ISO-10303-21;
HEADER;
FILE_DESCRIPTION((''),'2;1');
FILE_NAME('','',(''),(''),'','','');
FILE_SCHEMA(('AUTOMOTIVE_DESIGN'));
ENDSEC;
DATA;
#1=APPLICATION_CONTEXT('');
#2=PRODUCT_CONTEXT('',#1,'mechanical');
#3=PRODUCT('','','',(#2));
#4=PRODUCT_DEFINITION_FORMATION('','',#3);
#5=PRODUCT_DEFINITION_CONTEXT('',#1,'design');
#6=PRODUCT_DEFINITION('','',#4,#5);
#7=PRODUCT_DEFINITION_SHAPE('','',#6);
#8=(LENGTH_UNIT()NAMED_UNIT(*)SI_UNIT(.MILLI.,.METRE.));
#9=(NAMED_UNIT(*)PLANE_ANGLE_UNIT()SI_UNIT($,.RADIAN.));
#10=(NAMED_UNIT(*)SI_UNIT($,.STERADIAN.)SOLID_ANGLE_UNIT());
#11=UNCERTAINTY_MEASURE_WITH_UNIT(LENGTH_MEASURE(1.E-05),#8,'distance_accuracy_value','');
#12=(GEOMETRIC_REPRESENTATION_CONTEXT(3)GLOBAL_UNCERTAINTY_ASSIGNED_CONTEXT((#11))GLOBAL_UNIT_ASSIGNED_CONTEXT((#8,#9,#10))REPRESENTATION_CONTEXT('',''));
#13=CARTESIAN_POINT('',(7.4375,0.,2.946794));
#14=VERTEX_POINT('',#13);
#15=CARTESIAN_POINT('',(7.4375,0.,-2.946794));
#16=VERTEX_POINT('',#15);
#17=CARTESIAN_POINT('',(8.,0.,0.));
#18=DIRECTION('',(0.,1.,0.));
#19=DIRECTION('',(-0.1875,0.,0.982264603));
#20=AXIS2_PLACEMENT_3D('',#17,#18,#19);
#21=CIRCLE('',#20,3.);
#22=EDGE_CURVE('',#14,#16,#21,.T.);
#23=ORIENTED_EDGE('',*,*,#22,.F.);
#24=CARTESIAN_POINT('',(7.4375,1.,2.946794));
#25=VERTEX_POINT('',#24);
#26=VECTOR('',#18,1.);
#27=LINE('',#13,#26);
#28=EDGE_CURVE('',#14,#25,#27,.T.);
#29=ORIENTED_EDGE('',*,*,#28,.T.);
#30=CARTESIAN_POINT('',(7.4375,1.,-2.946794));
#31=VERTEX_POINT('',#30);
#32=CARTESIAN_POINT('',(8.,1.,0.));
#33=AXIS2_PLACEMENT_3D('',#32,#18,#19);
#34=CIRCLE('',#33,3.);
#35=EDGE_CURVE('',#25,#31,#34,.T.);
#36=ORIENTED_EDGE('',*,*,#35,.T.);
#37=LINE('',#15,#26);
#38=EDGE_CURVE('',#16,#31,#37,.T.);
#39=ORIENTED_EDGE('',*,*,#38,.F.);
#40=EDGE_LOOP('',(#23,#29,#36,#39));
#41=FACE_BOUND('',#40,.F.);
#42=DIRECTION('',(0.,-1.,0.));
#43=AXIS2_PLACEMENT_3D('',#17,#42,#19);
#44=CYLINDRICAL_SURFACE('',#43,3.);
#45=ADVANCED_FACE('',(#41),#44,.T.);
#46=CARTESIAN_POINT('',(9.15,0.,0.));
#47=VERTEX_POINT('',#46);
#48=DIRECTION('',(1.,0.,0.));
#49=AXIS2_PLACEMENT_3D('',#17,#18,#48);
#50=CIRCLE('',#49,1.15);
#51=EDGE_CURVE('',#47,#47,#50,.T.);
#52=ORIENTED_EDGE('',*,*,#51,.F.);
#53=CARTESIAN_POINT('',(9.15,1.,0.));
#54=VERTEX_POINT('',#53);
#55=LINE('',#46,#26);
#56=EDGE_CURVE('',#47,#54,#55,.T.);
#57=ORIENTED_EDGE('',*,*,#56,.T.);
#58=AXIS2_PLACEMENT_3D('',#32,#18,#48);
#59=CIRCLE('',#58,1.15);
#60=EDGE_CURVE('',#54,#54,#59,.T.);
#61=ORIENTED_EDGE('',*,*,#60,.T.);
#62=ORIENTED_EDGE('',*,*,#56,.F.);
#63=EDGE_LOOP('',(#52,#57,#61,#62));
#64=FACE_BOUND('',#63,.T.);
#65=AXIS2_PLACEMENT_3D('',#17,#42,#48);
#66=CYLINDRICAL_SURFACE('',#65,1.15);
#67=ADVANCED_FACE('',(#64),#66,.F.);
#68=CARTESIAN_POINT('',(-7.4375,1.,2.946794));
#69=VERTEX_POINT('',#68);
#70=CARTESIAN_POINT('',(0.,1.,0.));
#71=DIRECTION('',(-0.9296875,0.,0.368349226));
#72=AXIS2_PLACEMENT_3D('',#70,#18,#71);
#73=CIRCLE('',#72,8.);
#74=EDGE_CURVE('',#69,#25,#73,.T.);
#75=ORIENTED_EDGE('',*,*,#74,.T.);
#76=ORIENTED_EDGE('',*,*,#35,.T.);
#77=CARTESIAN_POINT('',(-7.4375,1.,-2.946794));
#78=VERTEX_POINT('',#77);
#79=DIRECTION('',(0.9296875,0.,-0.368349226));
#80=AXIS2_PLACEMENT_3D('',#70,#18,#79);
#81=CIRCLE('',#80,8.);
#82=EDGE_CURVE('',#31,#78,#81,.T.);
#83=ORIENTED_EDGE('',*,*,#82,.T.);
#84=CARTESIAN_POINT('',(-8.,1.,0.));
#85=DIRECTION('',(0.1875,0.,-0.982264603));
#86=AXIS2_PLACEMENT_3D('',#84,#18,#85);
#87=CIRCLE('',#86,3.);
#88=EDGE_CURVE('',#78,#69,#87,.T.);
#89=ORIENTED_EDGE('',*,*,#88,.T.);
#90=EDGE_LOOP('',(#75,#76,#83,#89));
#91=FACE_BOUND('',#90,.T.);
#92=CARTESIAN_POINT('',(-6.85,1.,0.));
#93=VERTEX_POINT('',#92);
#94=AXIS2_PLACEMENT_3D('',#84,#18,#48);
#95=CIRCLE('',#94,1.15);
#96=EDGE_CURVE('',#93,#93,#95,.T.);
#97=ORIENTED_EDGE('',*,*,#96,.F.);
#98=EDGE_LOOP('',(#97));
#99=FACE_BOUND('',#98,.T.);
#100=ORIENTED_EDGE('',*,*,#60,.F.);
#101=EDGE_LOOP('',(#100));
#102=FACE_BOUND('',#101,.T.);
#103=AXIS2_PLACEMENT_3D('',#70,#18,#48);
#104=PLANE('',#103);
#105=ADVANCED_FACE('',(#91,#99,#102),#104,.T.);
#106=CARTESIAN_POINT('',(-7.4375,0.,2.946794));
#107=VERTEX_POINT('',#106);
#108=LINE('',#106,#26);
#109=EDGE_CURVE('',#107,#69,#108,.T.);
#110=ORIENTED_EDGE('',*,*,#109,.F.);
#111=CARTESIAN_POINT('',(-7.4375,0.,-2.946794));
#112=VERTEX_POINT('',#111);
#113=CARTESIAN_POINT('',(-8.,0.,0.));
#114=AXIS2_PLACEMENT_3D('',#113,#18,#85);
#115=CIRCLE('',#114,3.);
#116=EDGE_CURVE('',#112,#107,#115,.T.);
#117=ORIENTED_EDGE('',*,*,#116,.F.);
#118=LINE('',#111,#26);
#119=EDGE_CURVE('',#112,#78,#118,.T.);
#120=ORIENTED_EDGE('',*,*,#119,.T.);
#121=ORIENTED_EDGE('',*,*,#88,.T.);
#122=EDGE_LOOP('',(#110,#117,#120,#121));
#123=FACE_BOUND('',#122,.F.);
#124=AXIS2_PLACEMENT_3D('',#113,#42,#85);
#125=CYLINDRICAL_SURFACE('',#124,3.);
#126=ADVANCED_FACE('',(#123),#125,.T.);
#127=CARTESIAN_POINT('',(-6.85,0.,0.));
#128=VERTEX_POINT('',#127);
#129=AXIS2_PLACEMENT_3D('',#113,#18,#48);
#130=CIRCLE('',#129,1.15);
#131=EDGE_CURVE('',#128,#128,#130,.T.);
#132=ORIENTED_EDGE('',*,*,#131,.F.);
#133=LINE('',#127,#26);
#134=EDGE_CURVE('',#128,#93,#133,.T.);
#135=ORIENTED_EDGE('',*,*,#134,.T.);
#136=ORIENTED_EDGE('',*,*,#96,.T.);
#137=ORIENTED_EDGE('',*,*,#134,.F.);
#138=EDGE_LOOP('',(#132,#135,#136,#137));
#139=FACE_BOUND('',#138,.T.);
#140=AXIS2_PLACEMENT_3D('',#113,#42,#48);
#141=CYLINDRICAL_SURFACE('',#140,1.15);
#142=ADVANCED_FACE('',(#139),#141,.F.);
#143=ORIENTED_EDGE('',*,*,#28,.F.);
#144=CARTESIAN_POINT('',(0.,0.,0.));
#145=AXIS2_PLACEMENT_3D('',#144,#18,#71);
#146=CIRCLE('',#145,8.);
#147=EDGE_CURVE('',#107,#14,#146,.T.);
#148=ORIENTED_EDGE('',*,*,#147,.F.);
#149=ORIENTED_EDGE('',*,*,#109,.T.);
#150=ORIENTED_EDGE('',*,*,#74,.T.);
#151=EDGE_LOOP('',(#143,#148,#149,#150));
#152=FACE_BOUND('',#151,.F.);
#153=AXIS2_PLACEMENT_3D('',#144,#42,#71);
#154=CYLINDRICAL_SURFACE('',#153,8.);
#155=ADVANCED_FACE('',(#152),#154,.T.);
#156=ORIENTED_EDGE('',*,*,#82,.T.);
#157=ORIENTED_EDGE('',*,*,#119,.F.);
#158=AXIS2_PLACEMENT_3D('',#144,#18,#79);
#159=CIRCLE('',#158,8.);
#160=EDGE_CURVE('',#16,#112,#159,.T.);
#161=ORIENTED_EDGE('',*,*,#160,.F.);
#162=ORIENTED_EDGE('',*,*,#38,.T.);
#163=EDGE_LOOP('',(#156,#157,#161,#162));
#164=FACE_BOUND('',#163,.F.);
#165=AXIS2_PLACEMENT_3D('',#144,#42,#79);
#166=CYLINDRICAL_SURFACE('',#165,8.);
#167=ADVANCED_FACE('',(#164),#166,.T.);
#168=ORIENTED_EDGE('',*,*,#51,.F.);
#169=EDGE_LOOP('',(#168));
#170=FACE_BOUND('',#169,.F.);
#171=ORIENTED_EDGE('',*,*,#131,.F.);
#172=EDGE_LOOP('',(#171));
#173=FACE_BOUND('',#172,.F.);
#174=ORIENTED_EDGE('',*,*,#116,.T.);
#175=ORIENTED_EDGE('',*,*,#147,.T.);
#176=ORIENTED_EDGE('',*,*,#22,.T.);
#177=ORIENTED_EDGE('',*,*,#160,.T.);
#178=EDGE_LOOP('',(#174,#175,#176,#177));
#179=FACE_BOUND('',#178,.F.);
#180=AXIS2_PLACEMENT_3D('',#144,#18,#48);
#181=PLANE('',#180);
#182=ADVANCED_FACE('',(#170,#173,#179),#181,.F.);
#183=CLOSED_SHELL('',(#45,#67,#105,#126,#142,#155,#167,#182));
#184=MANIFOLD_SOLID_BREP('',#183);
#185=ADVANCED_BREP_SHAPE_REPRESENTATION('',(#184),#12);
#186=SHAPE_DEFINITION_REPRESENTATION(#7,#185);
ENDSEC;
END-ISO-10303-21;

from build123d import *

# Parameters (mm, degrees)
SKETCH1_R           = 1.15
BOSS_EXTRUDE1_DEPTH = 1


with BuildPart() as part:
    # Sketch1 → Boss-Extrude1 (new body)
    with BuildSketch(Plane(origin=(0, 0, 0), x_dir=(1, 0, 0), z_dir=(0, 1, 0))):
        with BuildLine():
            ThreePointArc((7.4375, -2.946793809), (11, 0), (7.4375, 2.946793809))
            ThreePointArc((7.4375, 2.946793809), (0, 8), (-7.4375, 2.946793809))
            ThreePointArc((-7.4375, 2.946793809), (-11, 0), (-7.4375, -2.946793809))
            ThreePointArc((-7.4375, -2.946793809), (0, -8), (7.4375, -2.946793809))
        make_face()
        with Locations((8, 0)):
            Circle(SKETCH1_R, mode=Mode.SUBTRACT)
        with Locations((-8, 0)):
            Circle(SKETCH1_R, mode=Mode.SUBTRACT)
    extrude(amount=BOSS_EXTRUDE1_DEPTH)


solid = part.part
